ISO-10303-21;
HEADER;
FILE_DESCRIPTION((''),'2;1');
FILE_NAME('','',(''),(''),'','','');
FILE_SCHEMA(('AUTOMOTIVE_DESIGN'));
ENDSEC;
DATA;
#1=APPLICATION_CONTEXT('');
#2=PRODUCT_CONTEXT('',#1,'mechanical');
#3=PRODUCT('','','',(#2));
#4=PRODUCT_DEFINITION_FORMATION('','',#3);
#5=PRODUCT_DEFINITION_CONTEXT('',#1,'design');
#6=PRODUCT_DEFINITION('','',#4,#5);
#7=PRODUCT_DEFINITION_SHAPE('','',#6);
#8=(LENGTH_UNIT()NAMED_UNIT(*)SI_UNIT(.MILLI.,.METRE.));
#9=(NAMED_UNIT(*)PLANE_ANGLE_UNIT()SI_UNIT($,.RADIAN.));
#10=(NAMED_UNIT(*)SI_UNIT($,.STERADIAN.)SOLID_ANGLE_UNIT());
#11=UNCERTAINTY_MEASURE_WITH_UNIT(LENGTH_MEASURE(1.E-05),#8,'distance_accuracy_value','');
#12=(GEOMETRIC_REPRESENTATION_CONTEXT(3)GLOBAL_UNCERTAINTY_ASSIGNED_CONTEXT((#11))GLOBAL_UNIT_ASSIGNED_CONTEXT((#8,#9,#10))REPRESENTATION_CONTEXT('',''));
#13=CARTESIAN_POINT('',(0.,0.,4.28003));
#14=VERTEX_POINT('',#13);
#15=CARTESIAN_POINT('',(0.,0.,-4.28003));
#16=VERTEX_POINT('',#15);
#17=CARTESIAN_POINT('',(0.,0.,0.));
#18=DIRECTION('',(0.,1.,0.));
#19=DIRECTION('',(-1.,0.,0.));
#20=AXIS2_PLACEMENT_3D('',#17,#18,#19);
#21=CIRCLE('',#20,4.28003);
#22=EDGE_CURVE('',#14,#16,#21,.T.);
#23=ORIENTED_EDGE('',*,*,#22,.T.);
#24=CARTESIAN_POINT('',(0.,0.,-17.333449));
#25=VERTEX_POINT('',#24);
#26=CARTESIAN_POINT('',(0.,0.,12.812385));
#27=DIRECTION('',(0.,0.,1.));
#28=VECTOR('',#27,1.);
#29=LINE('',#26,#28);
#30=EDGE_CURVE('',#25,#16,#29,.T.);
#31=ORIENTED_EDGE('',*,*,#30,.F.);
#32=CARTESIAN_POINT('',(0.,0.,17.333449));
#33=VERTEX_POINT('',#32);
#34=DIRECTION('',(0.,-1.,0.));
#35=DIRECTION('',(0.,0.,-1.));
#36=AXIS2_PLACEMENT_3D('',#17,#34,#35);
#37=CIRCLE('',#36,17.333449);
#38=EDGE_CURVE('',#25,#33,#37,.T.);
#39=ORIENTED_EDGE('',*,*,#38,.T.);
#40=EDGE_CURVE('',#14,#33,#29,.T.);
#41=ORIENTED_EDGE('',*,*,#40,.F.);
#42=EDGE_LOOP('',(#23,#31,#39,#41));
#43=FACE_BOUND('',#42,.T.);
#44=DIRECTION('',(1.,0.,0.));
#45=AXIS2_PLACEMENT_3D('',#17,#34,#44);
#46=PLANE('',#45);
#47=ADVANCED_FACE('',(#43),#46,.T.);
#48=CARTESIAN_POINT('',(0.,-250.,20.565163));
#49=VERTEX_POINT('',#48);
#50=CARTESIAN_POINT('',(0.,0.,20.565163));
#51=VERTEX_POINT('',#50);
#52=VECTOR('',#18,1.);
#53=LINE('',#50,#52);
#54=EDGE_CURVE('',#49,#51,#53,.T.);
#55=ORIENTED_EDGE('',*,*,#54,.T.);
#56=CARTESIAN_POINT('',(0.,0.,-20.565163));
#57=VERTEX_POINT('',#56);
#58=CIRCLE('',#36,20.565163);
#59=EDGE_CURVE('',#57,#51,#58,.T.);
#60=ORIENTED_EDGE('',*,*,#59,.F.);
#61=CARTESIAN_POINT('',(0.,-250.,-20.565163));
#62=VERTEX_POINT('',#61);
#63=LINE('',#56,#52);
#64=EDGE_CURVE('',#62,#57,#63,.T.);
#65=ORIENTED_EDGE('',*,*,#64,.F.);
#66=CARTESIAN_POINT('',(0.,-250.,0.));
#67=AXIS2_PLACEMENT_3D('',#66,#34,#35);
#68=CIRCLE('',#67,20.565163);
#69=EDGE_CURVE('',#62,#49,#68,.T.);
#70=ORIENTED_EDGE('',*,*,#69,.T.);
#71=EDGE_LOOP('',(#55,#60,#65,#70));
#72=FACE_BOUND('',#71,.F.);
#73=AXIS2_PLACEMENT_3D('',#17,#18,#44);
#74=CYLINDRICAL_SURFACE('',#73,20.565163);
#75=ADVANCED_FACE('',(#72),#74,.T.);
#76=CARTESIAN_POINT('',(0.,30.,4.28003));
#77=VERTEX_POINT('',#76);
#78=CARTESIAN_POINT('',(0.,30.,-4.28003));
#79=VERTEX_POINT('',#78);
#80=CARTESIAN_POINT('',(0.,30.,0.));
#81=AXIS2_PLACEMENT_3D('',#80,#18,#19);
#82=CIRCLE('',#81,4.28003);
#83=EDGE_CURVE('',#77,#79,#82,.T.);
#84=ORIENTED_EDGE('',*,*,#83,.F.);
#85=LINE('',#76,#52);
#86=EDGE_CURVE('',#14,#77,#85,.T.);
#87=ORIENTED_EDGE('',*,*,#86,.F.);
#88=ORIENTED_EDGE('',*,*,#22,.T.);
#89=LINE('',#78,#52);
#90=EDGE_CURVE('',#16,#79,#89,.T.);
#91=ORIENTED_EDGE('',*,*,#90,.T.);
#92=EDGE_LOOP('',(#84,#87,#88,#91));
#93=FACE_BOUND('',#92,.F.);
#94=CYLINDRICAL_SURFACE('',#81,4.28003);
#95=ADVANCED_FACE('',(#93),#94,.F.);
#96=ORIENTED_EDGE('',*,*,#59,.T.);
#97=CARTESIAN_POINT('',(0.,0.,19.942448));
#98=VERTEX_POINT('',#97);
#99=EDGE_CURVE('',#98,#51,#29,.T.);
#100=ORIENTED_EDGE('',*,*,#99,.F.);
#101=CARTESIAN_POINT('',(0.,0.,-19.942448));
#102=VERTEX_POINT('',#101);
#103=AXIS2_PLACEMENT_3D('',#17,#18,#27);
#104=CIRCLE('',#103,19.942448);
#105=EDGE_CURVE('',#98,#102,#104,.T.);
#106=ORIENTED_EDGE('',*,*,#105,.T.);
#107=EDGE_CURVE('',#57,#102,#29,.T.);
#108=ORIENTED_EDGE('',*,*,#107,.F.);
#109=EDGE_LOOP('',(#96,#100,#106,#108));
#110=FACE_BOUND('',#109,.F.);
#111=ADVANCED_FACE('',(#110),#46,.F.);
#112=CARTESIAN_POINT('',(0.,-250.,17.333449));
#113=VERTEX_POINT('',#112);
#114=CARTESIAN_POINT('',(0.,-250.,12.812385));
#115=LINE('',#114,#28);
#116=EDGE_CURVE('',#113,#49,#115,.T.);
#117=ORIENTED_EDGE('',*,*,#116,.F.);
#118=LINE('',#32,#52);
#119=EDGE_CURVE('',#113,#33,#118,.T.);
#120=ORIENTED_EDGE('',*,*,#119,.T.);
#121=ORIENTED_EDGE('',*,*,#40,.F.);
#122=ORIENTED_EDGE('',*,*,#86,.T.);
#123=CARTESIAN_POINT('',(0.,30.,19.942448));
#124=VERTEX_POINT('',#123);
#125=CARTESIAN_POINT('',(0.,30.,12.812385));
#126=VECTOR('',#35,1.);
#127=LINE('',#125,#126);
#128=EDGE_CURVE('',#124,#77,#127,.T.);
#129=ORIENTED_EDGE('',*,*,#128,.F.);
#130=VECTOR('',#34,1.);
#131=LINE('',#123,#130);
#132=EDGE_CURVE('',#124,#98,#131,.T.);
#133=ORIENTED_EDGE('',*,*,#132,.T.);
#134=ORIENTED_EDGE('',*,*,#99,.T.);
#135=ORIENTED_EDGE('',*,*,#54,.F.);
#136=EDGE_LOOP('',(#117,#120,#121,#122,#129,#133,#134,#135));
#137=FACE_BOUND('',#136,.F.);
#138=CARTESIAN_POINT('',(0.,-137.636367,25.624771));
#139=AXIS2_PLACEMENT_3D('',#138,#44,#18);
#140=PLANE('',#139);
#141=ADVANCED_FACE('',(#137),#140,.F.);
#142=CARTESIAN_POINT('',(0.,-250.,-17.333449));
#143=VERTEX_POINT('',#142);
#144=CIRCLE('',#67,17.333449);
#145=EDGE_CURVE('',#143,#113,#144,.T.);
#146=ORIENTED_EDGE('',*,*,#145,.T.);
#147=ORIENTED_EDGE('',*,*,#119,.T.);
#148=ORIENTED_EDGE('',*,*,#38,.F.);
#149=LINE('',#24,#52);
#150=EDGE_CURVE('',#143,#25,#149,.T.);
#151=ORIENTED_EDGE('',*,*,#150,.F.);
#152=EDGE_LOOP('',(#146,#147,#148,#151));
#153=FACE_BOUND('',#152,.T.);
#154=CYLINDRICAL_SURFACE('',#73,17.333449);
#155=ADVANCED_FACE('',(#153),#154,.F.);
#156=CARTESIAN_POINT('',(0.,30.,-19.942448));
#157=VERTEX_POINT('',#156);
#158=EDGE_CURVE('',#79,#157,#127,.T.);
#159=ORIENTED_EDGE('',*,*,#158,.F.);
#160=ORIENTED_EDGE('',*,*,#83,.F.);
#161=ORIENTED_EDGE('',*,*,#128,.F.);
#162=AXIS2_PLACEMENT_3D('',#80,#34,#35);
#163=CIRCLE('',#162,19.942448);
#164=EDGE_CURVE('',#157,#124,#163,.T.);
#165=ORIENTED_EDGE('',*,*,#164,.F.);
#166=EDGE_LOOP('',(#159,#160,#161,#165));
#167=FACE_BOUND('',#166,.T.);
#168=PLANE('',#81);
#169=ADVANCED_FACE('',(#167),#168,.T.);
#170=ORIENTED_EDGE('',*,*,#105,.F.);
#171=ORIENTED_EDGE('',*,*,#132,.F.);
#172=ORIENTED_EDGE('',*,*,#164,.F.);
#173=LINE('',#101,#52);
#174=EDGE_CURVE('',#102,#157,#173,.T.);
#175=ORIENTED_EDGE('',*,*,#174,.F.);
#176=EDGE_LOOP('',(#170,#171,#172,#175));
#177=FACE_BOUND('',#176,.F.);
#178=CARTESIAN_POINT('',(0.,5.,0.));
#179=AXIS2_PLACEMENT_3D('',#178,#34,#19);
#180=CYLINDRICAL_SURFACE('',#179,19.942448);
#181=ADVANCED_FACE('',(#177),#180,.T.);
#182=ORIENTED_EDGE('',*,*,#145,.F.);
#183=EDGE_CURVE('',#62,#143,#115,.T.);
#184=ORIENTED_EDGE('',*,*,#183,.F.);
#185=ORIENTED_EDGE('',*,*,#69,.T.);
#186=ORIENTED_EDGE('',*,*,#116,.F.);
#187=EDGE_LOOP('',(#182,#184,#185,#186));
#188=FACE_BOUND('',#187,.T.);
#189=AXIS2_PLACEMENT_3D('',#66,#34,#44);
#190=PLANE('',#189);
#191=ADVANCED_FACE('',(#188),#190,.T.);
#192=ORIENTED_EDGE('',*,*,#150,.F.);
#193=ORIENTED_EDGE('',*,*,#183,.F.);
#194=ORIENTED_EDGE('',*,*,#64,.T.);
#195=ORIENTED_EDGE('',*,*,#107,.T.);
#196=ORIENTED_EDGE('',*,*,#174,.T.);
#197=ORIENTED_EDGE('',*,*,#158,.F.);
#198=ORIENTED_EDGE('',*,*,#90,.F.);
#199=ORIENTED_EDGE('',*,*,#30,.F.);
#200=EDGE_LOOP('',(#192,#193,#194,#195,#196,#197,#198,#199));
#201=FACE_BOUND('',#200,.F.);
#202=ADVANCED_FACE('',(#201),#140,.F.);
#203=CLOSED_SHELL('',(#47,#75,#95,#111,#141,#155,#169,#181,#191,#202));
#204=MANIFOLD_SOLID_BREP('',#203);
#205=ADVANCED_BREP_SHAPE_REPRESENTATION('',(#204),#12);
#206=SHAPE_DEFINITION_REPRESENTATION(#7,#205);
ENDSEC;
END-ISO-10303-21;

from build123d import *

# Parameters (mm, degrees)
F0_R        = 20.565163
F0_R_2      = 17.333449
F1_DEPTH    = 250
F2_R        = 19.942448
F3_DEPTH    = 5
F4_R        = 19.942448
F4_R_2      = 3.853128
F3_FACE_R   = 19.942448
F3_FACE_R_2 = 17.333449
F5_DEPTH    = 25
F6_R        = 4.28003
F7_DEPTH    = 153
F8_W        = 454.783313
F8_H        = 260.354363
F9_DEPTH    = 142


with BuildPart() as f1:
    # F0 (on Front) → F1 (new body)
    with BuildSketch(Plane.XZ):
        Circle(F0_R)
        Circle(F0_R_2, mode=Mode.SUBTRACT)
    extrude(amount=F1_DEPTH)

    # F2 (on Front) → F3 (join)
    with BuildSketch(Plane.XZ):
        Circle(F2_R)
    extrude(amount=-F3_DEPTH)

    # F4 (on face) + F3_face (on face) → F5 (join)
    with BuildSketch(Plane(origin=(0, 5, 0), x_dir=(-1, 0, 0), z_dir=(0, 1, 0))):
        Circle(F4_R)
        Circle(F4_R_2, mode=Mode.SUBTRACT)
        Circle(F4_R_2)
    with BuildSketch(Plane(origin=(0, 5, 0), x_dir=(1, 0, 0), z_dir=(0, 1, 0))):
        Circle(F3_FACE_R)
        Circle(F3_FACE_R_2)
    extrude(amount=F5_DEPTH)

    # F6 (on face) → F7 (cut)
    with BuildSketch(Plane(origin=(0, 30, 0), x_dir=(-1, 0, 0), z_dir=(0, 1, 0))):
        Circle(F6_R)
    extrude(amount=-F7_DEPTH, mode=Mode.SUBTRACT)

    # F8 (on Right) → F9 (cut)
    with BuildSketch(Plane.YZ):
        with Locations((-137.636367, 25.624771)):
            Rectangle(F8_W, F8_H)
    extrude(amount=-F9_DEPTH, mode=Mode.SUBTRACT)


solid = f1.part
